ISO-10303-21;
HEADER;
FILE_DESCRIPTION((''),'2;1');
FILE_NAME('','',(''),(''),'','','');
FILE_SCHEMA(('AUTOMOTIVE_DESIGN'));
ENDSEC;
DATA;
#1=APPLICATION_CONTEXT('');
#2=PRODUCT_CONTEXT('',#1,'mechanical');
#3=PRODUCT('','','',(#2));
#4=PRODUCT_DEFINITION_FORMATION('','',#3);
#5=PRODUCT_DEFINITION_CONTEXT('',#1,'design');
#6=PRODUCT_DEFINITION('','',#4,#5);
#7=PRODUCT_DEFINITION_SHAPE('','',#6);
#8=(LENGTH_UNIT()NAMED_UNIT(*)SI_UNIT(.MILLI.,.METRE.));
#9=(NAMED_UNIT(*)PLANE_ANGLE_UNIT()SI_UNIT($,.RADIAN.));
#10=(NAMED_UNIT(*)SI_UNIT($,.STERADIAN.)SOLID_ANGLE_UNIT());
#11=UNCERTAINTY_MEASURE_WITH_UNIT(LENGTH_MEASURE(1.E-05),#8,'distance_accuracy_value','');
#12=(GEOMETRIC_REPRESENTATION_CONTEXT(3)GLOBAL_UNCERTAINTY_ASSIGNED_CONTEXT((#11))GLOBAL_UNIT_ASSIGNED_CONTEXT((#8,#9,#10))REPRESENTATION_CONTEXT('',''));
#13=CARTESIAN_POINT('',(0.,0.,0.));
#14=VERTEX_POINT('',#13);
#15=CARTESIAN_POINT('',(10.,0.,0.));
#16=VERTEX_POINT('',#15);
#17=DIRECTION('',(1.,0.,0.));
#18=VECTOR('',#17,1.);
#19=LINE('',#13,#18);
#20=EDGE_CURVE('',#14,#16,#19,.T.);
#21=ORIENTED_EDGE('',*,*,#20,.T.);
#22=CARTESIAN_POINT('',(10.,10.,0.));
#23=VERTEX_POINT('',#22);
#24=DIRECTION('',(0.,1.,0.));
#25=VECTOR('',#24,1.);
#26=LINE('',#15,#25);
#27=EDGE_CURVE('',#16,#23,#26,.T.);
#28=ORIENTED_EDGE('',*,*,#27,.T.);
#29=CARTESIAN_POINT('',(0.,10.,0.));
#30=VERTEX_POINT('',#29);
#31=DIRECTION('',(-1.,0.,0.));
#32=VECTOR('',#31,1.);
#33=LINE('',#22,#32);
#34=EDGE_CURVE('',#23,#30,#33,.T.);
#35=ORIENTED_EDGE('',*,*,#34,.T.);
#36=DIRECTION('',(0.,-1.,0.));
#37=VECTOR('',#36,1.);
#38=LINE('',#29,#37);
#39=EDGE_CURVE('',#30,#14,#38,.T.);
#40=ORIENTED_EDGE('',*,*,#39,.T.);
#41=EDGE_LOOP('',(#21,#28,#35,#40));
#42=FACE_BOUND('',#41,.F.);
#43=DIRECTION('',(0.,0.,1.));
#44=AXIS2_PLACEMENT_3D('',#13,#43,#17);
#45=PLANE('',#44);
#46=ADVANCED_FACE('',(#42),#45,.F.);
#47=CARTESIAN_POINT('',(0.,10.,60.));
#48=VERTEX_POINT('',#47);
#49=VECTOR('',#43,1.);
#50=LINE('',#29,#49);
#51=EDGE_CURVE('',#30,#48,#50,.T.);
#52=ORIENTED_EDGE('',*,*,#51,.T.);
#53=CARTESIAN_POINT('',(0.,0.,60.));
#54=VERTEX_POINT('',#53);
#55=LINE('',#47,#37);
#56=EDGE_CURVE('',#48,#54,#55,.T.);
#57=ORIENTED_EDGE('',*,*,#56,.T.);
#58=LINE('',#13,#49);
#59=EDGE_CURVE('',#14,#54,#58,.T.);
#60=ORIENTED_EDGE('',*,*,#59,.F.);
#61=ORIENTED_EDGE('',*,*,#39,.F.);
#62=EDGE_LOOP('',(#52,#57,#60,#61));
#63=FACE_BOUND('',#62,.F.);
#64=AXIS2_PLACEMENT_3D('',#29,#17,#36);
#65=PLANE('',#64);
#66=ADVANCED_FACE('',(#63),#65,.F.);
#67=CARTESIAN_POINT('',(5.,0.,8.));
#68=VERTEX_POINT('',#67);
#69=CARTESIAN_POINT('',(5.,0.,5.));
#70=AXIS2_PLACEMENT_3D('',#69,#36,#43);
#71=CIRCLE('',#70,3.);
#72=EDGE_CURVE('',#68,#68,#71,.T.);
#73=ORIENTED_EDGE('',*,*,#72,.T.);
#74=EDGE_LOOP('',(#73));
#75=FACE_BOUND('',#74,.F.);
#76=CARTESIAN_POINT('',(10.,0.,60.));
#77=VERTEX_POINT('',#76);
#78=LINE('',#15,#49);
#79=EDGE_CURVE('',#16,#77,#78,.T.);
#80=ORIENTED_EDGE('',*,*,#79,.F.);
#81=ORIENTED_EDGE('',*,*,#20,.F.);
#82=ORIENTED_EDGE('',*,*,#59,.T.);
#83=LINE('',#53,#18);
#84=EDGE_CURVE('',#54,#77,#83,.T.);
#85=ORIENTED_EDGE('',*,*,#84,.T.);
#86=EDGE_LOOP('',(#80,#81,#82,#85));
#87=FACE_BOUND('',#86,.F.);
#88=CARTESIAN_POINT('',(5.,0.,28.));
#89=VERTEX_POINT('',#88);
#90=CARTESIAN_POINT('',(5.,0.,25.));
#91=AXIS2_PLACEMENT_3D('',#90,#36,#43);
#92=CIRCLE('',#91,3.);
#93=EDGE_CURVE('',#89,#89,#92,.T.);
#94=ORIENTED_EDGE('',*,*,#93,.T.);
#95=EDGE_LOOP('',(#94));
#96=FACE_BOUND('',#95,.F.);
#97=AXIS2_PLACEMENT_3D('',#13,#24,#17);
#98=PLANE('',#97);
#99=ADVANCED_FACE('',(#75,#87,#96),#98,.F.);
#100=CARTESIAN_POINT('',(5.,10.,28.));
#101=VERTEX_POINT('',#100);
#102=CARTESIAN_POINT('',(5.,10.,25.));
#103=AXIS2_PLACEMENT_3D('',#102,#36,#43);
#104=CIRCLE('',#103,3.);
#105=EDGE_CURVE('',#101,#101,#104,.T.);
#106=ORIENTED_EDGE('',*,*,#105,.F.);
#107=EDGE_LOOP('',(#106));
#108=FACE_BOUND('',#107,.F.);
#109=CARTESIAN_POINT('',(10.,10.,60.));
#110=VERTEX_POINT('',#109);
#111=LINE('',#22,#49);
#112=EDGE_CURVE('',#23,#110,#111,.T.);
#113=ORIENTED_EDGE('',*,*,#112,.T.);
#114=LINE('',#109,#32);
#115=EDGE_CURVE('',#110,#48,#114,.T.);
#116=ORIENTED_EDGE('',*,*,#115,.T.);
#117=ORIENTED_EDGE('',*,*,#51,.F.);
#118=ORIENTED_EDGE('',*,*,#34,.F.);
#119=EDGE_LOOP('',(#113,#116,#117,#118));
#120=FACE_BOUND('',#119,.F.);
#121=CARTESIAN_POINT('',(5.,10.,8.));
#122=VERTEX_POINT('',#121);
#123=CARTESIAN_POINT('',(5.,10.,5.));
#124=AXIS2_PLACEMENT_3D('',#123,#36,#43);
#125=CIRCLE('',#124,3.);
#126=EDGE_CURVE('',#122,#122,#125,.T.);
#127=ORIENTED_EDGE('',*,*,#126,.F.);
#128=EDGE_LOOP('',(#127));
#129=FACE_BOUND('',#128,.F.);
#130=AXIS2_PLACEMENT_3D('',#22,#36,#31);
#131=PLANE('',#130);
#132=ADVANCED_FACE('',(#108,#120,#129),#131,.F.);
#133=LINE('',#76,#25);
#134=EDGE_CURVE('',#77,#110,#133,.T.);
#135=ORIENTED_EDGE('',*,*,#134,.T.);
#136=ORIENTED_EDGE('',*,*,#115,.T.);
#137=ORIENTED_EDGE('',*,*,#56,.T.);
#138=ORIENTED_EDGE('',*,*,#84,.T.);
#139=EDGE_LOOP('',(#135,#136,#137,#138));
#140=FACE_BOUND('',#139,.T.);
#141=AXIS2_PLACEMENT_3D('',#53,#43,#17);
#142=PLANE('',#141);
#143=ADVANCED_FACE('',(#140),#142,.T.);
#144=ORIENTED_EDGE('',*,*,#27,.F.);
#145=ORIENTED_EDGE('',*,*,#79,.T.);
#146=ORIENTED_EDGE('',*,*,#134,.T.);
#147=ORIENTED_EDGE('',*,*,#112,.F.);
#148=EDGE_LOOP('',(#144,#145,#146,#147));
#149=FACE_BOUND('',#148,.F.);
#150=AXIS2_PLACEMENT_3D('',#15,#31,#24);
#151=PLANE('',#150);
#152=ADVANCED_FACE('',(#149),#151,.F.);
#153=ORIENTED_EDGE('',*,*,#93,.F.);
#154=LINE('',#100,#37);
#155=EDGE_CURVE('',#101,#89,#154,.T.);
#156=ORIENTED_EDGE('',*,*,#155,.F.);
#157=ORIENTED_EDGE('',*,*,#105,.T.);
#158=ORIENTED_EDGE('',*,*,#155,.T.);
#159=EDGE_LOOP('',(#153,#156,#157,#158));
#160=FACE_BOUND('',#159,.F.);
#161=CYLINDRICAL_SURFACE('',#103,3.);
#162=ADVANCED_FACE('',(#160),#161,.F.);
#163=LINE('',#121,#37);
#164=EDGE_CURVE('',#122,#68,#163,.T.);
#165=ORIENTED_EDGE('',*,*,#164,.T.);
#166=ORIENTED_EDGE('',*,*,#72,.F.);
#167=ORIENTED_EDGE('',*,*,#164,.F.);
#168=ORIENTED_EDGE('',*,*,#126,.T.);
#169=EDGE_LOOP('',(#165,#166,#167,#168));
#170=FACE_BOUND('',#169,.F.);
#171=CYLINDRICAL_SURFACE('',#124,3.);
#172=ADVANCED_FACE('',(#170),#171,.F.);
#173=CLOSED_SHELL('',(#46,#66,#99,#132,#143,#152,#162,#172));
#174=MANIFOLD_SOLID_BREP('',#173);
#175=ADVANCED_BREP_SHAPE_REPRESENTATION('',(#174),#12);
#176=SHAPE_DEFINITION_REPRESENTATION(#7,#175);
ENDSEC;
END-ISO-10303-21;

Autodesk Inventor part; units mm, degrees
ref_plane "YZ Plane" through (0, 0, 0) normal (1, 0, 0) x (0, 1, 0)
ref_plane "XZ Plane" through (0, 0, 0) normal (0, 1, 0) x (-1, 0, 0)
ref_plane "XY Plane" through (0, 0, 0) normal (0, 0, 1) x (1, 0, 0)
sketch "スケッチ1" plane through (0, 0, 0) normal (0, 0, 1) x (1, 0, 0)
  line L0 (0, 0) -> (10, 0)
  line L1 (10, 0) -> (10, 10)
  line L2 (10, 10) -> (0, 10)
  line L3 (0, 10) -> (0, 0)
  dimension "d0" = 10
  dimension "d1" = 10
extrude "押し出し1" add sketch "スケッチ1" along normal blind 60
sketch "スケッチ2" plane through (0, 10, 0) normal (0, 1, 0) x (1, 0, 0)
  line L0 (0, 0) -> (0, -60) projected
  line L1 (10, 0) -> (0, 0) projected
  point P0 (5, -5)
  dimension "d4" = 5
  dimension "d5" = 5
hole "穴1" at (5, 10, 5) direction (0, -1, 0) diameter 6 end through all
sketch "スケッチ3" plane through (0, 10, 0) normal (0, 1, 0) x (1, 0, 0)
  line L0 (0, 0) -> (0, -60) projected
  line L1 (10, 0) -> (0, 0) projected
  point P0 (5, -25)
  dimension "d13" = 5
  dimension "d14" = 25
hole "穴2" at (5, 10, 25) direction (0, -1, 0) diameter 6 end through all
properties part number "アーム10×10×60"
